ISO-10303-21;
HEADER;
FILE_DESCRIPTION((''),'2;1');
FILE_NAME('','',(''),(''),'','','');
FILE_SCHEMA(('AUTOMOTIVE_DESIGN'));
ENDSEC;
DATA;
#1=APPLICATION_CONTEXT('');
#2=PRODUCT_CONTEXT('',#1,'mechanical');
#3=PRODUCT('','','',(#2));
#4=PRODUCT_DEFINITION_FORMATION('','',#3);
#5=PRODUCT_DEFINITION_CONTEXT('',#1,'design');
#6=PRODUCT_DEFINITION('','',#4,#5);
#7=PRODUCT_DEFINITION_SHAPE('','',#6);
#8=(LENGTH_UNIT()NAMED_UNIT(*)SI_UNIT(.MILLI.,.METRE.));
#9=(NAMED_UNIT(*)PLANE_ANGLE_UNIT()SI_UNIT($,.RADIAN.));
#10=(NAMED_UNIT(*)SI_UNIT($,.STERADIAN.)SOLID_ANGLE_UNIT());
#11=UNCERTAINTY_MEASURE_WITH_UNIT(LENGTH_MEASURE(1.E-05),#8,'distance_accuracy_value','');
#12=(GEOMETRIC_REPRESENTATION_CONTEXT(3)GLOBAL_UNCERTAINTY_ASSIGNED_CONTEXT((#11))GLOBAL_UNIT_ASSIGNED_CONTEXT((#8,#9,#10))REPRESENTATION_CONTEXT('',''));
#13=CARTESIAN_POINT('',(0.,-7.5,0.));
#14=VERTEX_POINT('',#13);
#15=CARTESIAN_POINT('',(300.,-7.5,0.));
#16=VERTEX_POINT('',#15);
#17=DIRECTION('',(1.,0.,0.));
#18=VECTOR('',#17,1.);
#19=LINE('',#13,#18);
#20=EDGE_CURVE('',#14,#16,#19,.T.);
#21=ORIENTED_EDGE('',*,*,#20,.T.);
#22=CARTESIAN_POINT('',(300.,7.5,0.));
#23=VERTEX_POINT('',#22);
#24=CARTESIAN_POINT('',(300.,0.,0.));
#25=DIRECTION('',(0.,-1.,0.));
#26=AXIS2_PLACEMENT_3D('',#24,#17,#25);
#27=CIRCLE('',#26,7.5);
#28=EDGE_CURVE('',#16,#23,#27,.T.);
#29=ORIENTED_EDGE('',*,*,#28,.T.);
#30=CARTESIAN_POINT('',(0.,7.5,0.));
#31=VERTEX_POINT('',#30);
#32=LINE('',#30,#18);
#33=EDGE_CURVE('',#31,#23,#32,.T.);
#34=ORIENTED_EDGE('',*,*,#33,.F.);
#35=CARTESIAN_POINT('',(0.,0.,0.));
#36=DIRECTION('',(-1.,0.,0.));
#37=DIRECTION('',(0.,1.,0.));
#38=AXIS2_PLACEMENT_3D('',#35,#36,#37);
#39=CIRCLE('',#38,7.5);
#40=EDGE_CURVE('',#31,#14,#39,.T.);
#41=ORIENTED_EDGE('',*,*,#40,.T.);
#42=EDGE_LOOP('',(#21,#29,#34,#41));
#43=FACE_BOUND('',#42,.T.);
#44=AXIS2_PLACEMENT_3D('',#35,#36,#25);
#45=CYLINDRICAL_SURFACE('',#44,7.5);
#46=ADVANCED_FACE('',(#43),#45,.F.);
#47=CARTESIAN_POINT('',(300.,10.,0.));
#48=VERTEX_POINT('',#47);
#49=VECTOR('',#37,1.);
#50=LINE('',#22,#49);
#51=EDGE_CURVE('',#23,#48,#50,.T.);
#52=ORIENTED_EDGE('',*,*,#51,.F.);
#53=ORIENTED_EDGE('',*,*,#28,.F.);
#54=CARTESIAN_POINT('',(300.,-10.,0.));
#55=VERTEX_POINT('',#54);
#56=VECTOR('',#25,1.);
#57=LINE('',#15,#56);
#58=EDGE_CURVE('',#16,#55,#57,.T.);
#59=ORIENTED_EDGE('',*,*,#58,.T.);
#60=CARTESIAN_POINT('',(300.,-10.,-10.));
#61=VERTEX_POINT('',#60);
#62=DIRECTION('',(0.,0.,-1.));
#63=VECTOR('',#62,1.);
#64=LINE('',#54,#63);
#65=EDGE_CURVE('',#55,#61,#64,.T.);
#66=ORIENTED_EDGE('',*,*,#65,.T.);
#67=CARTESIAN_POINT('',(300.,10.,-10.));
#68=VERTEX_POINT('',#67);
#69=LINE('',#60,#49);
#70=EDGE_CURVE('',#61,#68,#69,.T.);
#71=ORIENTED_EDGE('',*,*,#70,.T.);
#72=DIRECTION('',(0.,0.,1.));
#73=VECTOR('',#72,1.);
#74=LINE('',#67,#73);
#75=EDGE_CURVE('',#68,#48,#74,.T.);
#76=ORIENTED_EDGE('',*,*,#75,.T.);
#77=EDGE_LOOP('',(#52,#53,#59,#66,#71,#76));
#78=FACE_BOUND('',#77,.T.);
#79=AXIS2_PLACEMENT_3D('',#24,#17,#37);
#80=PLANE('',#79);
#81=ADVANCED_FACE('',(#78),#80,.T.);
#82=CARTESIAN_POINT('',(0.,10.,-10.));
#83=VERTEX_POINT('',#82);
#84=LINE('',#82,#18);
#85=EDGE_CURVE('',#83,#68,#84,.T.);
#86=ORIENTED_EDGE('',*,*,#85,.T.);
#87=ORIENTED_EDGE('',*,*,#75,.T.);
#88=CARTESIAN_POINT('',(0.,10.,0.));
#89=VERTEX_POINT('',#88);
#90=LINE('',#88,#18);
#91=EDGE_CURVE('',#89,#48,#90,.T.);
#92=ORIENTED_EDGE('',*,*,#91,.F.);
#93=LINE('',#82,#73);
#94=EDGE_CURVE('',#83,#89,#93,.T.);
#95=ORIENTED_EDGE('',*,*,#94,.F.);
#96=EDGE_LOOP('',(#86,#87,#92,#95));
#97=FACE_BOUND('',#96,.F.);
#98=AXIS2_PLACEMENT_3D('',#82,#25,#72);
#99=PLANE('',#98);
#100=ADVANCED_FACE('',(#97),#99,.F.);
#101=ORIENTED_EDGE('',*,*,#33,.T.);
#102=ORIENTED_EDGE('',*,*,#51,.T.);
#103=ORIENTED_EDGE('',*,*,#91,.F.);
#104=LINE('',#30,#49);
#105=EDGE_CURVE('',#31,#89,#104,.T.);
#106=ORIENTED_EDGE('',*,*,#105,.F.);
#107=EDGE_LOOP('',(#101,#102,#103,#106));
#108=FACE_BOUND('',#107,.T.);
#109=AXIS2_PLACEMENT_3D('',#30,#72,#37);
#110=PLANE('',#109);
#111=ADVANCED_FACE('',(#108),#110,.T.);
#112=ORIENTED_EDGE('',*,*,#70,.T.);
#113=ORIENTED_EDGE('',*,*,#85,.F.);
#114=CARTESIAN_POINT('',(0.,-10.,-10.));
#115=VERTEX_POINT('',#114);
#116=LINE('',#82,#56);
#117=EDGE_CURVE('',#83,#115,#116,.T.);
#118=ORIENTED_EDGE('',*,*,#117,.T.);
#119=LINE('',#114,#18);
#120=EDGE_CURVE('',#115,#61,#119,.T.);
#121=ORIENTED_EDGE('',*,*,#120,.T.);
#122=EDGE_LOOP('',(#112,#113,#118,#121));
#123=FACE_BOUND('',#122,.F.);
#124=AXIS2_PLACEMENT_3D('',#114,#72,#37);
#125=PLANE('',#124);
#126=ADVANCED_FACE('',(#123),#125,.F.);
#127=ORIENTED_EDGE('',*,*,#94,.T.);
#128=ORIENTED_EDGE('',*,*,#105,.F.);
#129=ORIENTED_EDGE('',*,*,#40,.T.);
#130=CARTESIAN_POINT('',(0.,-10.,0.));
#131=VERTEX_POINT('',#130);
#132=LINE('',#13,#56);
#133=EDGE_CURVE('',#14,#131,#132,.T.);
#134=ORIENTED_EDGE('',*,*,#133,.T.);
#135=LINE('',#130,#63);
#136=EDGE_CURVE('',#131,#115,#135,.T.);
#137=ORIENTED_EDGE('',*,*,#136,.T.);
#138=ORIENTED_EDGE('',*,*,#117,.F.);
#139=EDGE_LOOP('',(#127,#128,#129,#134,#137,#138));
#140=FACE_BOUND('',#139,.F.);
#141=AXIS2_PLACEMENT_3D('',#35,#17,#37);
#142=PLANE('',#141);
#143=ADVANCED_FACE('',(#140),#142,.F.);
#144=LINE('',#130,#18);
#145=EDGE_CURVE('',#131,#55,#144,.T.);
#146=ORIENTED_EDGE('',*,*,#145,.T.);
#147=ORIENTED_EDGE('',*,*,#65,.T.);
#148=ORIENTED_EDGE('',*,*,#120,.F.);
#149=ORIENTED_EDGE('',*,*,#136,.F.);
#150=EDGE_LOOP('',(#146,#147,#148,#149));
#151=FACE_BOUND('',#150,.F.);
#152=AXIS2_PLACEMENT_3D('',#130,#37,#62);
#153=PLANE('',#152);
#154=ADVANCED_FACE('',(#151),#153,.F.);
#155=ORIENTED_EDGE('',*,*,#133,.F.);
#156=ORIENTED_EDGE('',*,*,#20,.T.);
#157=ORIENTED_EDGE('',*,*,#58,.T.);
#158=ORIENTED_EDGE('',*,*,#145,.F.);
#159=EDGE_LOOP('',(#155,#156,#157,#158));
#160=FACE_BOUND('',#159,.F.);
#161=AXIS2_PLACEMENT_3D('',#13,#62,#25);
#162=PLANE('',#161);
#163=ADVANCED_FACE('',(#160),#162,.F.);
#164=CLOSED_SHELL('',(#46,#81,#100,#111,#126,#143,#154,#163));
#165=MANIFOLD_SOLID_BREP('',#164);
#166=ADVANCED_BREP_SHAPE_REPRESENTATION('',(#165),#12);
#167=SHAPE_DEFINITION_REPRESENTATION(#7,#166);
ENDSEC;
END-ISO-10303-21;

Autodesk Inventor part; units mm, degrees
ref_plane "YZ Plane" through (0, 0, 0) normal (1, 0, 0) x (0, 1, 0)
ref_plane "XZ Plane" through (0, 0, 0) normal (0, 1, 0) x (-1, 0, 0)
ref_plane "XY Plane" through (0, 0, 0) normal (0, 0, 1) x (1, 0, 0)
sketch "Skizze1" plane through (0, 0, 0) normal (1, 0, 0) x (0, 1, 0)
  arc A0 (-7.5, 0) -> (7.5, 0) centre (0, 0) ccw
  line L0 (-7.5, 0) -> (-10, 0)
  line L1 (-10, 0) -> (-10, -10)
  line L2 (-10, -10) -> (10, -10)
  line L3 (10, -10) -> (10, 0)
  line L4 (0, -12) -> (0, 2) projected
  line L5 (7.5, 0) -> (10, 0)
  line L6 (-14, 0) -> (14, 0) projected
  dimension "d0" = 20
  dimension "d1" = 7.5
  dimension "d2" = 10
extrude "Extrusion1" add sketch "Skizze1" along normal blind 300 contours A0 L4 L2 L1 L0 | A0 L5 L3 L2 L4
properties part number "Gerade_1"
